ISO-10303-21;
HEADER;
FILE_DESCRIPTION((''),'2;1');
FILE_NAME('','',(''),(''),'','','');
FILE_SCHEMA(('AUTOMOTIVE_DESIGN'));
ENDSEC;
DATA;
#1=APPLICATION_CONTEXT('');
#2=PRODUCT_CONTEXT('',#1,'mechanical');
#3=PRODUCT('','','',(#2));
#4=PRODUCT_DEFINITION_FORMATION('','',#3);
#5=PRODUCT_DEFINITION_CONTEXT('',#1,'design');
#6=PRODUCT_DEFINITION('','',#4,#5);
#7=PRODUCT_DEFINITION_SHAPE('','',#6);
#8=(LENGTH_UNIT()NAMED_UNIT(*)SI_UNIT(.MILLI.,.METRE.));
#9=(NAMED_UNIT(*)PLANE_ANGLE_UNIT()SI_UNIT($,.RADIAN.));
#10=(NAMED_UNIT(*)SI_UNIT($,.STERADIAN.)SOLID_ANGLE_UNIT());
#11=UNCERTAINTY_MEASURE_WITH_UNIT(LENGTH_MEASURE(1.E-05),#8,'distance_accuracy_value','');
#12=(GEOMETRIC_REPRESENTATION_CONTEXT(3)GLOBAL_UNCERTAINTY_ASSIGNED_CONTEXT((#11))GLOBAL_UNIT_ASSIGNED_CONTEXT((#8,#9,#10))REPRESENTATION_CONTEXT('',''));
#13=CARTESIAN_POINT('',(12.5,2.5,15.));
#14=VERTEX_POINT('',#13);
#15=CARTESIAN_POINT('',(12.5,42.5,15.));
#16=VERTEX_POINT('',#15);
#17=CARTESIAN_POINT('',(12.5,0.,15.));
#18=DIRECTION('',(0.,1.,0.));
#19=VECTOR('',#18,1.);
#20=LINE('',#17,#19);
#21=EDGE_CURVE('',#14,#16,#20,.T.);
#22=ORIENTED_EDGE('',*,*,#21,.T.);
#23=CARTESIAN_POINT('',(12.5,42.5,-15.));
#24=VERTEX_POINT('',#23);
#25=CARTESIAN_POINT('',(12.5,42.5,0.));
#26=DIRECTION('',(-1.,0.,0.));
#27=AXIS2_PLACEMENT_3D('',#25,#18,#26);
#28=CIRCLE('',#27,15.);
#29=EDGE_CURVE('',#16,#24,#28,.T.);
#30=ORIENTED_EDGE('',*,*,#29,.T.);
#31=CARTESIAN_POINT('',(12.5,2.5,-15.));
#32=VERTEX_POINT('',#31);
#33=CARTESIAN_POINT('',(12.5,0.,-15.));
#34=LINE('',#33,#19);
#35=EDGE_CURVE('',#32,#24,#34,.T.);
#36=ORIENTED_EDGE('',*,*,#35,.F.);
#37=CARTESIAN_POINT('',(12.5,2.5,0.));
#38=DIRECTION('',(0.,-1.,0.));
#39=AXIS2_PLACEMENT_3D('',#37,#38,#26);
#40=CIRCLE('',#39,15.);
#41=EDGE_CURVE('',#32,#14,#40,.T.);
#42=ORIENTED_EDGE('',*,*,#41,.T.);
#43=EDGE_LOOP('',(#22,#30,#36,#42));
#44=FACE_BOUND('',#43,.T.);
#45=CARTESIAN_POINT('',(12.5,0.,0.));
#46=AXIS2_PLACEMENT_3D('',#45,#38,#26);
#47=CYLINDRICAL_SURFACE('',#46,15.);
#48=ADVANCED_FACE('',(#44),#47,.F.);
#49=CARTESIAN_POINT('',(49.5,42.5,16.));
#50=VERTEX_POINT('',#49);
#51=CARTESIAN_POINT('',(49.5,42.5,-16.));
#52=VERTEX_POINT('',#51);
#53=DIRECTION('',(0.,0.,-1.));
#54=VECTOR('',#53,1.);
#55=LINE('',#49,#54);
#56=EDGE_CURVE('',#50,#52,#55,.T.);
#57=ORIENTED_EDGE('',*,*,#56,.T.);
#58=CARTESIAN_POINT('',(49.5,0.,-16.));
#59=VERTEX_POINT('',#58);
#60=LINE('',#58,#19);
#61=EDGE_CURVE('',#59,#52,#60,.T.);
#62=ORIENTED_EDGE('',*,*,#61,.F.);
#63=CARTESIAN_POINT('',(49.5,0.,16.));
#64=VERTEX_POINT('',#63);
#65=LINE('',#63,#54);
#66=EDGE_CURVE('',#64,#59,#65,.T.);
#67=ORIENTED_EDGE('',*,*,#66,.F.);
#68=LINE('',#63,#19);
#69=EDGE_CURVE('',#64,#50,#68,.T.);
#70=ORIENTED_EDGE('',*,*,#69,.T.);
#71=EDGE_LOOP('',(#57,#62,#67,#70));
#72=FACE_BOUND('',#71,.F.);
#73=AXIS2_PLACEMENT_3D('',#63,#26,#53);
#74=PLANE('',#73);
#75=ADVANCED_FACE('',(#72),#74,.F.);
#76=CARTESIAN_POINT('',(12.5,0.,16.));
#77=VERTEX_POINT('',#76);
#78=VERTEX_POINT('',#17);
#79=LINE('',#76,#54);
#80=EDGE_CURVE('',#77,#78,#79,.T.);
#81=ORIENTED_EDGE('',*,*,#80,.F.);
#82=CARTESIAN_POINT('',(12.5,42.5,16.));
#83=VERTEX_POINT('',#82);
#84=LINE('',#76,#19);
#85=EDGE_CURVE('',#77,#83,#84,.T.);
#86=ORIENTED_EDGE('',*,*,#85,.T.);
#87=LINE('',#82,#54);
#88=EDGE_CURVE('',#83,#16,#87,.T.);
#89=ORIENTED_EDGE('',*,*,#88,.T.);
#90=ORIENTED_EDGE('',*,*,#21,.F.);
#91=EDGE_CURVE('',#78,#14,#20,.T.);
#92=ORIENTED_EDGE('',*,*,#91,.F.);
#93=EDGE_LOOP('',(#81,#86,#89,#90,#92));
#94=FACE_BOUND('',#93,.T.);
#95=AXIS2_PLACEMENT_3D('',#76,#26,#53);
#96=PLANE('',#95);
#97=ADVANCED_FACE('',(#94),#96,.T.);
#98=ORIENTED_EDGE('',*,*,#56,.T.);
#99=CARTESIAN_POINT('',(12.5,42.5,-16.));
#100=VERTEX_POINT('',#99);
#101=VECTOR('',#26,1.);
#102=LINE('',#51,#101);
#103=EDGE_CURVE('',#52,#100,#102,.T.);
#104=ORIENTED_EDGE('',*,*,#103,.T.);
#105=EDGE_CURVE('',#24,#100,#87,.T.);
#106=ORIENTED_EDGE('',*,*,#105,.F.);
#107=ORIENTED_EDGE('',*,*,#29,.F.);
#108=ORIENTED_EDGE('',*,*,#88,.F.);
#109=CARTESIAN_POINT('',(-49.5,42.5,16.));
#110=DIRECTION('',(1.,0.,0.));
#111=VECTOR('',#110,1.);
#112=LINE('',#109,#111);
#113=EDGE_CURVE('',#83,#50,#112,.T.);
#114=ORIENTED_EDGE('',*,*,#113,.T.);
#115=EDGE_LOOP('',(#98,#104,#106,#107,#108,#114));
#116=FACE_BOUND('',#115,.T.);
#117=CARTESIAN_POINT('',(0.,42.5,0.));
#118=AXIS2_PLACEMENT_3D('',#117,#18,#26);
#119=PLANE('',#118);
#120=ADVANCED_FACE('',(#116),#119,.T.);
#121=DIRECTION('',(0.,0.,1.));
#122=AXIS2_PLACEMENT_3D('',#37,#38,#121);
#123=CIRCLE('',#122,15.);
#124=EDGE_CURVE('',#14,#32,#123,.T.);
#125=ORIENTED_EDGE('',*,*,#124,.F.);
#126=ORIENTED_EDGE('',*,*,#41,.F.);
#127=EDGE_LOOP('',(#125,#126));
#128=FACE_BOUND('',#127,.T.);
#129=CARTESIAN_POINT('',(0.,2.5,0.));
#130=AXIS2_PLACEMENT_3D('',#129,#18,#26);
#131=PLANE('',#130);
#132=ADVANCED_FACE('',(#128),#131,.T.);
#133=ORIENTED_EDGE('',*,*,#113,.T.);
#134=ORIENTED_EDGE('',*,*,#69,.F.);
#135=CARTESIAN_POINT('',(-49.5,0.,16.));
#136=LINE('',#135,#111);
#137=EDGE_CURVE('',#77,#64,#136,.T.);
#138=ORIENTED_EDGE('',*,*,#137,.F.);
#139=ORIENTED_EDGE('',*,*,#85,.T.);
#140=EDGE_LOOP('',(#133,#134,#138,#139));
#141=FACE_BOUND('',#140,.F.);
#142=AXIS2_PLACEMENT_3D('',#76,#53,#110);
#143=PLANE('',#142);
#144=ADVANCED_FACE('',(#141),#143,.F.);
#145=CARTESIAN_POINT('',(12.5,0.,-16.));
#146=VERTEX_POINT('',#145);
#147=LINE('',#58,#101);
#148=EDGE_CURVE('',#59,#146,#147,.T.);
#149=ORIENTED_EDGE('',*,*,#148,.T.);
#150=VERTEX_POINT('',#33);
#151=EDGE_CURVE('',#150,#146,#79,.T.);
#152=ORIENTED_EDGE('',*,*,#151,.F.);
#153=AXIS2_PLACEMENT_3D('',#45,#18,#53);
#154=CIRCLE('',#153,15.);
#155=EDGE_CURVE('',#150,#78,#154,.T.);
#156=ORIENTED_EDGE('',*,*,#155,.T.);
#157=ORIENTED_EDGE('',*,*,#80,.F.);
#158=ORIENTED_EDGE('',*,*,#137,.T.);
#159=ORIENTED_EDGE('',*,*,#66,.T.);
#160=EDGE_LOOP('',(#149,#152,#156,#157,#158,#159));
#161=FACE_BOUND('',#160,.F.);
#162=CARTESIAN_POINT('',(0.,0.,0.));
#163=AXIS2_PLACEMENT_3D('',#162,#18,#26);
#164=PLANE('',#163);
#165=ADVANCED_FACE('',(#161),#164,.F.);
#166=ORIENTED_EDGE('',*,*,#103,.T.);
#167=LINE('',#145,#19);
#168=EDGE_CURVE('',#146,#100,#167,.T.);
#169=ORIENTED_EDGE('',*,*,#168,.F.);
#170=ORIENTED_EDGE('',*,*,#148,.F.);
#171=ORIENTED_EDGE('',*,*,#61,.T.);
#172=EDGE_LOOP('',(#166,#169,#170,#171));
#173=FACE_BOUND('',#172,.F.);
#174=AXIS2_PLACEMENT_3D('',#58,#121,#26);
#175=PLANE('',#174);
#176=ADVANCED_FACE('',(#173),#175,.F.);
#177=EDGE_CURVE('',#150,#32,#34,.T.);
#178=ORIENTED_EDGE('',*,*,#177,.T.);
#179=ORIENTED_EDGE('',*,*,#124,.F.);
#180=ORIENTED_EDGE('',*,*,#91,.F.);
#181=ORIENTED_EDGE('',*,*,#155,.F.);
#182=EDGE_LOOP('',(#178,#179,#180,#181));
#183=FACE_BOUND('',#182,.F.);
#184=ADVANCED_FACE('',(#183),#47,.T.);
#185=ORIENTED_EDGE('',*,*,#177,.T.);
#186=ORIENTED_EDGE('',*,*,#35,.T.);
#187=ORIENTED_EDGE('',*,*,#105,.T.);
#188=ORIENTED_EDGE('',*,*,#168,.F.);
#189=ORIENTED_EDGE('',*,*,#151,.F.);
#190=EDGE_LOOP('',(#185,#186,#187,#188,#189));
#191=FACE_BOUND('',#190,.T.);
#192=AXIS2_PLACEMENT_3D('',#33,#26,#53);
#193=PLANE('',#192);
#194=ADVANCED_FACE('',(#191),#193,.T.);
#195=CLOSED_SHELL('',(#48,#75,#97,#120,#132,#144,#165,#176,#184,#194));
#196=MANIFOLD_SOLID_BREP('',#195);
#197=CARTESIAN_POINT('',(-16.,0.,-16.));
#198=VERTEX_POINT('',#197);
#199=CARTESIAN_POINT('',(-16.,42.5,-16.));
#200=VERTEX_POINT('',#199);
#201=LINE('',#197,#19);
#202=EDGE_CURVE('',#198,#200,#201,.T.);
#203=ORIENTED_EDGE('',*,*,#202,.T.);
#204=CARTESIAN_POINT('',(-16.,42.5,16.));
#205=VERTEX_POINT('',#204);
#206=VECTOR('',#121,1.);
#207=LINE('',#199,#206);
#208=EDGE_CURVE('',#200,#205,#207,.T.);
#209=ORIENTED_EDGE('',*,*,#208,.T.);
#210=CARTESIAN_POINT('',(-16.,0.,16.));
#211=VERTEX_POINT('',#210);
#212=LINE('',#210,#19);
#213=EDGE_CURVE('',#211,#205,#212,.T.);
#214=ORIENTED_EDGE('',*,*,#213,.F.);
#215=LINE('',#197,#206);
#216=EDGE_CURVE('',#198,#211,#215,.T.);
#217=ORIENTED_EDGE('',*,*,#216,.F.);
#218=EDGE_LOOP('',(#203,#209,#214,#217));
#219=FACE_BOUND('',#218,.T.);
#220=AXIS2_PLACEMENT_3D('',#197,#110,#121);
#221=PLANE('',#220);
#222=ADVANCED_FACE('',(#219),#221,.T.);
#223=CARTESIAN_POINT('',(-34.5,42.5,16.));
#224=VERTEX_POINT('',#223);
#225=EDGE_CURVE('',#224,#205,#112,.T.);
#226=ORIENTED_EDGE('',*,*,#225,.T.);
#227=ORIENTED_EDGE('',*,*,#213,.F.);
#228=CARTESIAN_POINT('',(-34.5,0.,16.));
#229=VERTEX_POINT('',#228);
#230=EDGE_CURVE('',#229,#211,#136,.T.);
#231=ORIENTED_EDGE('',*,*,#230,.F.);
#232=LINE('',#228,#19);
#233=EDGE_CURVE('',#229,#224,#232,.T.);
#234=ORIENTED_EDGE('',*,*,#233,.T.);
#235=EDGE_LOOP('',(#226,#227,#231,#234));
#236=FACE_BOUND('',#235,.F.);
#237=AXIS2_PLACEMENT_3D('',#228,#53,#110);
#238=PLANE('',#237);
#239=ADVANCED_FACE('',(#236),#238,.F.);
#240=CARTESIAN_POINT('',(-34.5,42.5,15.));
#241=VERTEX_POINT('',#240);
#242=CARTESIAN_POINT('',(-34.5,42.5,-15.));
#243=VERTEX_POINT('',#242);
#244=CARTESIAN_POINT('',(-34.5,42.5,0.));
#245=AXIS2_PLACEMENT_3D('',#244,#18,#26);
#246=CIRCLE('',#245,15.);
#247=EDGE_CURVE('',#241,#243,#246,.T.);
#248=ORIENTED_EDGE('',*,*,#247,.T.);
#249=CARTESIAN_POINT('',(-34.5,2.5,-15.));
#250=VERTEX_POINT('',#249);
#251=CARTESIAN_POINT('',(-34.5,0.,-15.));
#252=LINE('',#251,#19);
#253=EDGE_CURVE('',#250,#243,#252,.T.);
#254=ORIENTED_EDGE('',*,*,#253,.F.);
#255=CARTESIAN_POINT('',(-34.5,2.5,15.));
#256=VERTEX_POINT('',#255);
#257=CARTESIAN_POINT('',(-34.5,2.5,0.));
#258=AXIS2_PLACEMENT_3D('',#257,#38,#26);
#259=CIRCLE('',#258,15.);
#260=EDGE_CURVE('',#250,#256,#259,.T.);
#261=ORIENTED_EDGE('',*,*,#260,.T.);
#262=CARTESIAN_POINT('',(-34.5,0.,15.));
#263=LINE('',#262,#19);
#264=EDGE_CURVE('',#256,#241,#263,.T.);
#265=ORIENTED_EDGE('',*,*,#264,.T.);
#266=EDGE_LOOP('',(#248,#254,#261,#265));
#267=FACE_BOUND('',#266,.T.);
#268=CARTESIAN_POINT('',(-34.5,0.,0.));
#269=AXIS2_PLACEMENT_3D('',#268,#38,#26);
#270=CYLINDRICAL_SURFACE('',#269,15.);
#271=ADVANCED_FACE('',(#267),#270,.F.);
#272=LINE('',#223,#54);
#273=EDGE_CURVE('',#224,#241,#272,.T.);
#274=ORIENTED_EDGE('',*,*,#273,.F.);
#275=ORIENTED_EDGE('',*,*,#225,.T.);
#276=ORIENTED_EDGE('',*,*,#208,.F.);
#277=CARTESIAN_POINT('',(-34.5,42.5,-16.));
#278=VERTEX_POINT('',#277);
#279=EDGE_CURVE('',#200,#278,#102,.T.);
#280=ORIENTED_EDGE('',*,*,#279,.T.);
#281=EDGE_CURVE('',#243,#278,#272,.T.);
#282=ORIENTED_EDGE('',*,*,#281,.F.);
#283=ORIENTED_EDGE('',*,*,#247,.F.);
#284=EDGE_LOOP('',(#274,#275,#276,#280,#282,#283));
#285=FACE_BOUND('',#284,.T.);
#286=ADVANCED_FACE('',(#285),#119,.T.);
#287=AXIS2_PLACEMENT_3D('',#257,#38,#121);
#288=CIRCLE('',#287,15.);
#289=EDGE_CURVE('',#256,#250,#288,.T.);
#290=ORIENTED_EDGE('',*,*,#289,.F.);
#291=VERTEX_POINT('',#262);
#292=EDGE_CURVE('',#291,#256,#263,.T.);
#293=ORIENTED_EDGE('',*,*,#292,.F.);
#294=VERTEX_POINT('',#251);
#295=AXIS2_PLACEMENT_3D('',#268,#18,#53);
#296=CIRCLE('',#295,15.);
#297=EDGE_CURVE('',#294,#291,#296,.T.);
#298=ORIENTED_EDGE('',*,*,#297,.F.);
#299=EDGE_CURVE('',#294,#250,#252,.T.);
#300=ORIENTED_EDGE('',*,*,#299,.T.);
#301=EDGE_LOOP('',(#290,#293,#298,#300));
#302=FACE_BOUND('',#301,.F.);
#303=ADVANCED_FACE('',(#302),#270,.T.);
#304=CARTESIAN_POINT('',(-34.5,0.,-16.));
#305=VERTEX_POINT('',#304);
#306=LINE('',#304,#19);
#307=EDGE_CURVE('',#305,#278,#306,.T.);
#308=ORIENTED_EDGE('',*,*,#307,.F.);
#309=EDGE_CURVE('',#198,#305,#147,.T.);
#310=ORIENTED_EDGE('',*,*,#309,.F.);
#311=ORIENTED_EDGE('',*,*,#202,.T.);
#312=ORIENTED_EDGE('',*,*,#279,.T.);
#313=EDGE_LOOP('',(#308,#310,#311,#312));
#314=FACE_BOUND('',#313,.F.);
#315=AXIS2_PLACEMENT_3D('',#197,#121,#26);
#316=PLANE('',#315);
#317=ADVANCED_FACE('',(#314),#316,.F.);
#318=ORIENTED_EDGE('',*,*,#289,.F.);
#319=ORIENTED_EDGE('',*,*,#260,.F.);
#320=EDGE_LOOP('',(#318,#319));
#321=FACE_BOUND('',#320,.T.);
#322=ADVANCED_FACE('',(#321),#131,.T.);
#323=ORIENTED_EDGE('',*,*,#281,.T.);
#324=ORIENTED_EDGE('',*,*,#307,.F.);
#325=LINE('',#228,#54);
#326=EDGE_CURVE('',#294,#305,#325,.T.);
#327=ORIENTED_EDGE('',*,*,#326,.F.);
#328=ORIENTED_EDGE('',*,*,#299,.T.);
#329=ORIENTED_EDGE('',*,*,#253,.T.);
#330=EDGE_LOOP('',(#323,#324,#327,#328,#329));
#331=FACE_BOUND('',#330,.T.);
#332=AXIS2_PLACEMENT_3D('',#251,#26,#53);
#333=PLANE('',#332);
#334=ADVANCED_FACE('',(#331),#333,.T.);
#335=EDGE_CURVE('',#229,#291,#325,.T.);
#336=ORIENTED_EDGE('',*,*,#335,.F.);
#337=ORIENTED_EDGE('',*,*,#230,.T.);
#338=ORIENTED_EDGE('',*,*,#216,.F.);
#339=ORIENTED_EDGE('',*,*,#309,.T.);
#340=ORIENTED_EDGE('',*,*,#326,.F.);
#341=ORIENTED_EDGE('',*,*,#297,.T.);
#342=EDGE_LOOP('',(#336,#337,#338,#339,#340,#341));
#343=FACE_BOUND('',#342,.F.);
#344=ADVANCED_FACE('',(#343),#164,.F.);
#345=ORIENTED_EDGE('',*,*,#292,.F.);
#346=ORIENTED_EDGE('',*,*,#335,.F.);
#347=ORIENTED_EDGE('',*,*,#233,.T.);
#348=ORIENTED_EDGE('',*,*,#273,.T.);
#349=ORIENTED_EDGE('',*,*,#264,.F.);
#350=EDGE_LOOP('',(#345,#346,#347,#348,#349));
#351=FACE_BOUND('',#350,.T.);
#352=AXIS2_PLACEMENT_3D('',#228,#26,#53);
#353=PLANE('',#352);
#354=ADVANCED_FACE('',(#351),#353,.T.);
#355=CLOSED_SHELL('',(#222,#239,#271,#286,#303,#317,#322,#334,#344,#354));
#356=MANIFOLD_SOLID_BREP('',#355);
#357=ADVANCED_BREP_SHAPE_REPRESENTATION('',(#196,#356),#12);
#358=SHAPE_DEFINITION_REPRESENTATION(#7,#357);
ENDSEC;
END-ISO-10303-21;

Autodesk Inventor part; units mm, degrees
ref_plane "YZ Plane" through (0, 0, 0) normal (1, 0, 0) x (0, 1, 0)
ref_plane "XZ Plane" through (0, 0, 0) normal (0, 1, 0) x (-1, 0, 0)
ref_plane "XY Plane" through (0, 0, 0) normal (0, 0, 1) x (1, 0, 0)
sketch "Sketch2" plane through (0, 0, 0) normal (0, 1, 0) x (-1, 0, 0)
  line L0 (49.5, 16) -> (-49.5, 16)
  line L1 (-49.5, 16) -> (-49.5, -16)
  line L2 (-49.5, -16) -> (49.5, -16)
  line L3 (49.5, -16) -> (49.5, 16)
  circle A0 centre (-12.5, 0) radius 15
  circle A1 centre (34.5, 0) radius 15
  line L4 (16, 16) -> (-12.5, 16)
  line L5 (-12.5, 16) -> (-12.5, -16)
  line L6 (-12.5, -16) -> (16, -16)
  line L7 (16, -16) -> (16, 16)
  line L8 (49.5, 16) -> (34.5, 16)
  line L9 (34.5, 16) -> (34.5, -16)
  line L10 (34.5, -16) -> (49.5, -16)
  line L11 (49.5, -16) -> (49.5, 16)
  point P0 (0, 0)
  point P1 (49.5, 0)
  point P2 (34.5, 15)
  point P3 (34.5, -15)
  point P4 (-12.5, -15)
  point P5 (-12.5, 15)
  dimension "d0" = 99
  dimension "d1" = 32
  dimension "d2" = 16
  dimension "d3" = 49.5
  dimension "d6" = 30
  dimension "d7" = 37
  dimension "d8" = 30
  dimension "d9" = 47
  dimension "d10" = 28.5
  dimension "d11" = 0
extrude "Extrusion2" add sketch "Sketch2" along normal blind 42.5 contours L9 A1 L2 L7 L0 | L5 A0 L2 L1 L0
extrude "Extrusion3" add sketch "Sketch2" along normal blind 2.5 separate body contours A1 L9 | L9 A1 | L5 A0 | A0 L5
combine bodies "Combine1" operation type add bodies to combine 1 2
properties part number "motor-holders"
